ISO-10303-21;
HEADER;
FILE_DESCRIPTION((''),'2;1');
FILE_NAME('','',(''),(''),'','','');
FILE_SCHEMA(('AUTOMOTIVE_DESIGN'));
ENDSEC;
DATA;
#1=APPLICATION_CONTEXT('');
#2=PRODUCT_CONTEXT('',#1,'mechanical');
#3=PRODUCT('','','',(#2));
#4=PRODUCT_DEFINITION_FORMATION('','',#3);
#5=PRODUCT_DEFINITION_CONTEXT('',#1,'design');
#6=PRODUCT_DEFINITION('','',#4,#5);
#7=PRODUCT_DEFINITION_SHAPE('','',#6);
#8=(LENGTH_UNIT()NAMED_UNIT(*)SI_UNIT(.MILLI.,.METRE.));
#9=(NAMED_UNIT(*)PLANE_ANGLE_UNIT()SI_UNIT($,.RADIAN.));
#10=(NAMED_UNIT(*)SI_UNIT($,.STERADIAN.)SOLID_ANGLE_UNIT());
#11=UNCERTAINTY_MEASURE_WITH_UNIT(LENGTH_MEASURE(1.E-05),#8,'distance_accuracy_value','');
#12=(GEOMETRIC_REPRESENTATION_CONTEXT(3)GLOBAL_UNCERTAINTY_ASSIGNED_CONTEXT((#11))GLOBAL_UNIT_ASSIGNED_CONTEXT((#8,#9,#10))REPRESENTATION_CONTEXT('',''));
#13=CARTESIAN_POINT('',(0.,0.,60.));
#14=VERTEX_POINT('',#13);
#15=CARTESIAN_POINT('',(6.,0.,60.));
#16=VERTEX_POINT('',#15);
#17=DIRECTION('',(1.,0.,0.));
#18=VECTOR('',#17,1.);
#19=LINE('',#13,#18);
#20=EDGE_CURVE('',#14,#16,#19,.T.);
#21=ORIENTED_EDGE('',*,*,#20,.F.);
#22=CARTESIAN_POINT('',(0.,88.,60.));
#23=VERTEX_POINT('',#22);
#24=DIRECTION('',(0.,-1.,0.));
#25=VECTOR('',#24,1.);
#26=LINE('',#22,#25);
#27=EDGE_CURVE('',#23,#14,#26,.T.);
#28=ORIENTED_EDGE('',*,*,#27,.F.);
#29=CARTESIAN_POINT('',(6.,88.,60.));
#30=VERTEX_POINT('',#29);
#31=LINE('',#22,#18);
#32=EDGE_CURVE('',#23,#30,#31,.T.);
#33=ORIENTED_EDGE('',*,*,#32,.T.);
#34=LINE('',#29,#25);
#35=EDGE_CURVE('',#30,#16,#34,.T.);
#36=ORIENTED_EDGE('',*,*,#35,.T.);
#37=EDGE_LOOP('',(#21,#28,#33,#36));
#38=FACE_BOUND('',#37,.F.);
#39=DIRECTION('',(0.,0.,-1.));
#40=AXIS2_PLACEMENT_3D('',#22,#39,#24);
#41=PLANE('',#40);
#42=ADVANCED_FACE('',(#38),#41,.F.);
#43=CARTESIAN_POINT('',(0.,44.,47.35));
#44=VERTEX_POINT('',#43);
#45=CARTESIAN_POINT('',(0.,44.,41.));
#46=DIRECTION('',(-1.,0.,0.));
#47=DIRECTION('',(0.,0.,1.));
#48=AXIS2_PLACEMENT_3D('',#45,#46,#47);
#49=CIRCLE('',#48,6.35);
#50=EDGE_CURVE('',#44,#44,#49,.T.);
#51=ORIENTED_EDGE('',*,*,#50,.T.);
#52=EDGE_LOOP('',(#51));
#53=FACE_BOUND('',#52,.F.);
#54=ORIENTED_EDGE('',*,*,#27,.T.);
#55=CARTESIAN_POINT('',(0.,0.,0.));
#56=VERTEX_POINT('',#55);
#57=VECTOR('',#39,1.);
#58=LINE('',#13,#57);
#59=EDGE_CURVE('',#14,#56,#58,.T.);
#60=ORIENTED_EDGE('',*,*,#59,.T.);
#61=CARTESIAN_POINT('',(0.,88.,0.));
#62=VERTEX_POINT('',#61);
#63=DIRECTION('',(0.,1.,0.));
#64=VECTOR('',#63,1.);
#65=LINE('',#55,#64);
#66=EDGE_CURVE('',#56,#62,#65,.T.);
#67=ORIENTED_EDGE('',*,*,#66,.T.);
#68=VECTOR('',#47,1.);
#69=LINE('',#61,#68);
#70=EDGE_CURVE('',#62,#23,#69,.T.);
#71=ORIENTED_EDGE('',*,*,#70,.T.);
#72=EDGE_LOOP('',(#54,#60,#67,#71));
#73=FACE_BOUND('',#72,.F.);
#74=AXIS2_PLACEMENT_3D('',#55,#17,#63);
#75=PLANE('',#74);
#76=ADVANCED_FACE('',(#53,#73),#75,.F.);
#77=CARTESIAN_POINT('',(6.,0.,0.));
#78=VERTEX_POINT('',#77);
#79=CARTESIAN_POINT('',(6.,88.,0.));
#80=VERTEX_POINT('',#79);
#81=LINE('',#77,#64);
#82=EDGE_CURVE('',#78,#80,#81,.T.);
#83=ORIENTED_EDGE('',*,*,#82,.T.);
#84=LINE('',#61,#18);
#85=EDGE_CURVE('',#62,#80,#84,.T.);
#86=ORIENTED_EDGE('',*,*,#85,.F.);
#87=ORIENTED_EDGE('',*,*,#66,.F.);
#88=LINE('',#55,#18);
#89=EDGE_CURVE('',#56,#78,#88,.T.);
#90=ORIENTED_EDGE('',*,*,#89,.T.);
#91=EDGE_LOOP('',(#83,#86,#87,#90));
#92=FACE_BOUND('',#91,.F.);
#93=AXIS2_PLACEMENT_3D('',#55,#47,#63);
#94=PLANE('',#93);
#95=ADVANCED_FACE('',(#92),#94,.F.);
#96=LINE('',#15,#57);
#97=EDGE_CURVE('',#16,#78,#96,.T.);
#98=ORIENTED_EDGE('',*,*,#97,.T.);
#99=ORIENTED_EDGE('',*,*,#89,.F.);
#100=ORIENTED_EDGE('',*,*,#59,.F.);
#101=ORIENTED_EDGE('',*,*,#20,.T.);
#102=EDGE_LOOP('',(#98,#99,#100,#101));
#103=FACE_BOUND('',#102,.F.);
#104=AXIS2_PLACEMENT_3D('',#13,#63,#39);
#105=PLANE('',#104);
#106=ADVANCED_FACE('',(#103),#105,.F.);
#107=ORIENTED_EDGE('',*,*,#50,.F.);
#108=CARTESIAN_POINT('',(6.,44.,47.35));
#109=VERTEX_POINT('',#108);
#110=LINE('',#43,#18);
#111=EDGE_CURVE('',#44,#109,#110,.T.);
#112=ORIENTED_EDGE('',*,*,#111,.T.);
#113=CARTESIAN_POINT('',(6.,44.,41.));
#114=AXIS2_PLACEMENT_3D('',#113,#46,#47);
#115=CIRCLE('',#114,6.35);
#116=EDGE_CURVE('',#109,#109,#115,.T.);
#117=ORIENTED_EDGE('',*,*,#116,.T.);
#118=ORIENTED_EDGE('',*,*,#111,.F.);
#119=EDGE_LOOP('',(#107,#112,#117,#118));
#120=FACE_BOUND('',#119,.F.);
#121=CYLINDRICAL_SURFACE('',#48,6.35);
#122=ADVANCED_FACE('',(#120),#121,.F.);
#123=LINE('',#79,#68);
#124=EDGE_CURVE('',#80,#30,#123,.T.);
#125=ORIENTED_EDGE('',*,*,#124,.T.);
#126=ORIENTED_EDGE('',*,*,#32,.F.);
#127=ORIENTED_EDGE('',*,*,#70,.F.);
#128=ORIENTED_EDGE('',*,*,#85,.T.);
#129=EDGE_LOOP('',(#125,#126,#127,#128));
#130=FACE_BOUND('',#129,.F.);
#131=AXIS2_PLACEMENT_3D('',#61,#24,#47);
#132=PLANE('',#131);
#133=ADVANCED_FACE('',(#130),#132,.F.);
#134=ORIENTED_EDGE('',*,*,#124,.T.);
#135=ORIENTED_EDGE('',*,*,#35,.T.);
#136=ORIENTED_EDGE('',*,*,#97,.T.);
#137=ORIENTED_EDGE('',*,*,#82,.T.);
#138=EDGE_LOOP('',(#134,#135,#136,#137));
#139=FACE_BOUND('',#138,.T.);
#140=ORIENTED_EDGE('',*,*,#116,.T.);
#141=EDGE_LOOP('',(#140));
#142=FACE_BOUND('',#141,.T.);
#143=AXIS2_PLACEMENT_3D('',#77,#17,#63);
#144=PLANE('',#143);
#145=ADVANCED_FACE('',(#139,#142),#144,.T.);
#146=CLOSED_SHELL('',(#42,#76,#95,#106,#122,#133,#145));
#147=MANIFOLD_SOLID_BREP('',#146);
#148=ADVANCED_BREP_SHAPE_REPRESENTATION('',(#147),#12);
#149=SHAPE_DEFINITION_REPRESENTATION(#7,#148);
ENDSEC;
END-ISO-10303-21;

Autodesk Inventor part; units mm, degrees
ref_plane "YZ Plane" through (0, 0, 0) normal (1, 0, 0) x (0, 1, 0)
ref_plane "XZ Plane" through (0, 0, 0) normal (0, 1, 0) x (-1, 0, 0)
ref_plane "XY Plane" through (0, 0, 0) normal (0, 0, 1) x (1, 0, 0)
sketch "Sketch1" plane through (0, 0, 0) normal (1, 0, 0) x (0, 1, 0)
  line L0 (0, 0) -> (88, 0)
  line L1 (88, 0) -> (88, 60)
  line L2 (88, 60) -> (0, 60)
  line L3 (0, 60) -> (0, 0)
  dimension "d0" = 88
  dimension "d1" = 60
extrude "Extrusion1" add sketch "Sketch1" along normal blind 6
sketch "Sketch2" plane through (0, 0, 0) normal (-1, 0, 0) x (0, 0, 1)
  line L0 (60, 0) -> (0, 0) projected
  line L1 (0, 0) -> (0, 88) projected
  circle A0 centre (41, 44) radius 6.35
  dimension "d4" = 44
  dimension "d5" = 41
  dimension "d6" = 12.7
extrude "Extrusion2" cut sketch "Sketch2" against normal blind 6
properties part number "motor_base"
